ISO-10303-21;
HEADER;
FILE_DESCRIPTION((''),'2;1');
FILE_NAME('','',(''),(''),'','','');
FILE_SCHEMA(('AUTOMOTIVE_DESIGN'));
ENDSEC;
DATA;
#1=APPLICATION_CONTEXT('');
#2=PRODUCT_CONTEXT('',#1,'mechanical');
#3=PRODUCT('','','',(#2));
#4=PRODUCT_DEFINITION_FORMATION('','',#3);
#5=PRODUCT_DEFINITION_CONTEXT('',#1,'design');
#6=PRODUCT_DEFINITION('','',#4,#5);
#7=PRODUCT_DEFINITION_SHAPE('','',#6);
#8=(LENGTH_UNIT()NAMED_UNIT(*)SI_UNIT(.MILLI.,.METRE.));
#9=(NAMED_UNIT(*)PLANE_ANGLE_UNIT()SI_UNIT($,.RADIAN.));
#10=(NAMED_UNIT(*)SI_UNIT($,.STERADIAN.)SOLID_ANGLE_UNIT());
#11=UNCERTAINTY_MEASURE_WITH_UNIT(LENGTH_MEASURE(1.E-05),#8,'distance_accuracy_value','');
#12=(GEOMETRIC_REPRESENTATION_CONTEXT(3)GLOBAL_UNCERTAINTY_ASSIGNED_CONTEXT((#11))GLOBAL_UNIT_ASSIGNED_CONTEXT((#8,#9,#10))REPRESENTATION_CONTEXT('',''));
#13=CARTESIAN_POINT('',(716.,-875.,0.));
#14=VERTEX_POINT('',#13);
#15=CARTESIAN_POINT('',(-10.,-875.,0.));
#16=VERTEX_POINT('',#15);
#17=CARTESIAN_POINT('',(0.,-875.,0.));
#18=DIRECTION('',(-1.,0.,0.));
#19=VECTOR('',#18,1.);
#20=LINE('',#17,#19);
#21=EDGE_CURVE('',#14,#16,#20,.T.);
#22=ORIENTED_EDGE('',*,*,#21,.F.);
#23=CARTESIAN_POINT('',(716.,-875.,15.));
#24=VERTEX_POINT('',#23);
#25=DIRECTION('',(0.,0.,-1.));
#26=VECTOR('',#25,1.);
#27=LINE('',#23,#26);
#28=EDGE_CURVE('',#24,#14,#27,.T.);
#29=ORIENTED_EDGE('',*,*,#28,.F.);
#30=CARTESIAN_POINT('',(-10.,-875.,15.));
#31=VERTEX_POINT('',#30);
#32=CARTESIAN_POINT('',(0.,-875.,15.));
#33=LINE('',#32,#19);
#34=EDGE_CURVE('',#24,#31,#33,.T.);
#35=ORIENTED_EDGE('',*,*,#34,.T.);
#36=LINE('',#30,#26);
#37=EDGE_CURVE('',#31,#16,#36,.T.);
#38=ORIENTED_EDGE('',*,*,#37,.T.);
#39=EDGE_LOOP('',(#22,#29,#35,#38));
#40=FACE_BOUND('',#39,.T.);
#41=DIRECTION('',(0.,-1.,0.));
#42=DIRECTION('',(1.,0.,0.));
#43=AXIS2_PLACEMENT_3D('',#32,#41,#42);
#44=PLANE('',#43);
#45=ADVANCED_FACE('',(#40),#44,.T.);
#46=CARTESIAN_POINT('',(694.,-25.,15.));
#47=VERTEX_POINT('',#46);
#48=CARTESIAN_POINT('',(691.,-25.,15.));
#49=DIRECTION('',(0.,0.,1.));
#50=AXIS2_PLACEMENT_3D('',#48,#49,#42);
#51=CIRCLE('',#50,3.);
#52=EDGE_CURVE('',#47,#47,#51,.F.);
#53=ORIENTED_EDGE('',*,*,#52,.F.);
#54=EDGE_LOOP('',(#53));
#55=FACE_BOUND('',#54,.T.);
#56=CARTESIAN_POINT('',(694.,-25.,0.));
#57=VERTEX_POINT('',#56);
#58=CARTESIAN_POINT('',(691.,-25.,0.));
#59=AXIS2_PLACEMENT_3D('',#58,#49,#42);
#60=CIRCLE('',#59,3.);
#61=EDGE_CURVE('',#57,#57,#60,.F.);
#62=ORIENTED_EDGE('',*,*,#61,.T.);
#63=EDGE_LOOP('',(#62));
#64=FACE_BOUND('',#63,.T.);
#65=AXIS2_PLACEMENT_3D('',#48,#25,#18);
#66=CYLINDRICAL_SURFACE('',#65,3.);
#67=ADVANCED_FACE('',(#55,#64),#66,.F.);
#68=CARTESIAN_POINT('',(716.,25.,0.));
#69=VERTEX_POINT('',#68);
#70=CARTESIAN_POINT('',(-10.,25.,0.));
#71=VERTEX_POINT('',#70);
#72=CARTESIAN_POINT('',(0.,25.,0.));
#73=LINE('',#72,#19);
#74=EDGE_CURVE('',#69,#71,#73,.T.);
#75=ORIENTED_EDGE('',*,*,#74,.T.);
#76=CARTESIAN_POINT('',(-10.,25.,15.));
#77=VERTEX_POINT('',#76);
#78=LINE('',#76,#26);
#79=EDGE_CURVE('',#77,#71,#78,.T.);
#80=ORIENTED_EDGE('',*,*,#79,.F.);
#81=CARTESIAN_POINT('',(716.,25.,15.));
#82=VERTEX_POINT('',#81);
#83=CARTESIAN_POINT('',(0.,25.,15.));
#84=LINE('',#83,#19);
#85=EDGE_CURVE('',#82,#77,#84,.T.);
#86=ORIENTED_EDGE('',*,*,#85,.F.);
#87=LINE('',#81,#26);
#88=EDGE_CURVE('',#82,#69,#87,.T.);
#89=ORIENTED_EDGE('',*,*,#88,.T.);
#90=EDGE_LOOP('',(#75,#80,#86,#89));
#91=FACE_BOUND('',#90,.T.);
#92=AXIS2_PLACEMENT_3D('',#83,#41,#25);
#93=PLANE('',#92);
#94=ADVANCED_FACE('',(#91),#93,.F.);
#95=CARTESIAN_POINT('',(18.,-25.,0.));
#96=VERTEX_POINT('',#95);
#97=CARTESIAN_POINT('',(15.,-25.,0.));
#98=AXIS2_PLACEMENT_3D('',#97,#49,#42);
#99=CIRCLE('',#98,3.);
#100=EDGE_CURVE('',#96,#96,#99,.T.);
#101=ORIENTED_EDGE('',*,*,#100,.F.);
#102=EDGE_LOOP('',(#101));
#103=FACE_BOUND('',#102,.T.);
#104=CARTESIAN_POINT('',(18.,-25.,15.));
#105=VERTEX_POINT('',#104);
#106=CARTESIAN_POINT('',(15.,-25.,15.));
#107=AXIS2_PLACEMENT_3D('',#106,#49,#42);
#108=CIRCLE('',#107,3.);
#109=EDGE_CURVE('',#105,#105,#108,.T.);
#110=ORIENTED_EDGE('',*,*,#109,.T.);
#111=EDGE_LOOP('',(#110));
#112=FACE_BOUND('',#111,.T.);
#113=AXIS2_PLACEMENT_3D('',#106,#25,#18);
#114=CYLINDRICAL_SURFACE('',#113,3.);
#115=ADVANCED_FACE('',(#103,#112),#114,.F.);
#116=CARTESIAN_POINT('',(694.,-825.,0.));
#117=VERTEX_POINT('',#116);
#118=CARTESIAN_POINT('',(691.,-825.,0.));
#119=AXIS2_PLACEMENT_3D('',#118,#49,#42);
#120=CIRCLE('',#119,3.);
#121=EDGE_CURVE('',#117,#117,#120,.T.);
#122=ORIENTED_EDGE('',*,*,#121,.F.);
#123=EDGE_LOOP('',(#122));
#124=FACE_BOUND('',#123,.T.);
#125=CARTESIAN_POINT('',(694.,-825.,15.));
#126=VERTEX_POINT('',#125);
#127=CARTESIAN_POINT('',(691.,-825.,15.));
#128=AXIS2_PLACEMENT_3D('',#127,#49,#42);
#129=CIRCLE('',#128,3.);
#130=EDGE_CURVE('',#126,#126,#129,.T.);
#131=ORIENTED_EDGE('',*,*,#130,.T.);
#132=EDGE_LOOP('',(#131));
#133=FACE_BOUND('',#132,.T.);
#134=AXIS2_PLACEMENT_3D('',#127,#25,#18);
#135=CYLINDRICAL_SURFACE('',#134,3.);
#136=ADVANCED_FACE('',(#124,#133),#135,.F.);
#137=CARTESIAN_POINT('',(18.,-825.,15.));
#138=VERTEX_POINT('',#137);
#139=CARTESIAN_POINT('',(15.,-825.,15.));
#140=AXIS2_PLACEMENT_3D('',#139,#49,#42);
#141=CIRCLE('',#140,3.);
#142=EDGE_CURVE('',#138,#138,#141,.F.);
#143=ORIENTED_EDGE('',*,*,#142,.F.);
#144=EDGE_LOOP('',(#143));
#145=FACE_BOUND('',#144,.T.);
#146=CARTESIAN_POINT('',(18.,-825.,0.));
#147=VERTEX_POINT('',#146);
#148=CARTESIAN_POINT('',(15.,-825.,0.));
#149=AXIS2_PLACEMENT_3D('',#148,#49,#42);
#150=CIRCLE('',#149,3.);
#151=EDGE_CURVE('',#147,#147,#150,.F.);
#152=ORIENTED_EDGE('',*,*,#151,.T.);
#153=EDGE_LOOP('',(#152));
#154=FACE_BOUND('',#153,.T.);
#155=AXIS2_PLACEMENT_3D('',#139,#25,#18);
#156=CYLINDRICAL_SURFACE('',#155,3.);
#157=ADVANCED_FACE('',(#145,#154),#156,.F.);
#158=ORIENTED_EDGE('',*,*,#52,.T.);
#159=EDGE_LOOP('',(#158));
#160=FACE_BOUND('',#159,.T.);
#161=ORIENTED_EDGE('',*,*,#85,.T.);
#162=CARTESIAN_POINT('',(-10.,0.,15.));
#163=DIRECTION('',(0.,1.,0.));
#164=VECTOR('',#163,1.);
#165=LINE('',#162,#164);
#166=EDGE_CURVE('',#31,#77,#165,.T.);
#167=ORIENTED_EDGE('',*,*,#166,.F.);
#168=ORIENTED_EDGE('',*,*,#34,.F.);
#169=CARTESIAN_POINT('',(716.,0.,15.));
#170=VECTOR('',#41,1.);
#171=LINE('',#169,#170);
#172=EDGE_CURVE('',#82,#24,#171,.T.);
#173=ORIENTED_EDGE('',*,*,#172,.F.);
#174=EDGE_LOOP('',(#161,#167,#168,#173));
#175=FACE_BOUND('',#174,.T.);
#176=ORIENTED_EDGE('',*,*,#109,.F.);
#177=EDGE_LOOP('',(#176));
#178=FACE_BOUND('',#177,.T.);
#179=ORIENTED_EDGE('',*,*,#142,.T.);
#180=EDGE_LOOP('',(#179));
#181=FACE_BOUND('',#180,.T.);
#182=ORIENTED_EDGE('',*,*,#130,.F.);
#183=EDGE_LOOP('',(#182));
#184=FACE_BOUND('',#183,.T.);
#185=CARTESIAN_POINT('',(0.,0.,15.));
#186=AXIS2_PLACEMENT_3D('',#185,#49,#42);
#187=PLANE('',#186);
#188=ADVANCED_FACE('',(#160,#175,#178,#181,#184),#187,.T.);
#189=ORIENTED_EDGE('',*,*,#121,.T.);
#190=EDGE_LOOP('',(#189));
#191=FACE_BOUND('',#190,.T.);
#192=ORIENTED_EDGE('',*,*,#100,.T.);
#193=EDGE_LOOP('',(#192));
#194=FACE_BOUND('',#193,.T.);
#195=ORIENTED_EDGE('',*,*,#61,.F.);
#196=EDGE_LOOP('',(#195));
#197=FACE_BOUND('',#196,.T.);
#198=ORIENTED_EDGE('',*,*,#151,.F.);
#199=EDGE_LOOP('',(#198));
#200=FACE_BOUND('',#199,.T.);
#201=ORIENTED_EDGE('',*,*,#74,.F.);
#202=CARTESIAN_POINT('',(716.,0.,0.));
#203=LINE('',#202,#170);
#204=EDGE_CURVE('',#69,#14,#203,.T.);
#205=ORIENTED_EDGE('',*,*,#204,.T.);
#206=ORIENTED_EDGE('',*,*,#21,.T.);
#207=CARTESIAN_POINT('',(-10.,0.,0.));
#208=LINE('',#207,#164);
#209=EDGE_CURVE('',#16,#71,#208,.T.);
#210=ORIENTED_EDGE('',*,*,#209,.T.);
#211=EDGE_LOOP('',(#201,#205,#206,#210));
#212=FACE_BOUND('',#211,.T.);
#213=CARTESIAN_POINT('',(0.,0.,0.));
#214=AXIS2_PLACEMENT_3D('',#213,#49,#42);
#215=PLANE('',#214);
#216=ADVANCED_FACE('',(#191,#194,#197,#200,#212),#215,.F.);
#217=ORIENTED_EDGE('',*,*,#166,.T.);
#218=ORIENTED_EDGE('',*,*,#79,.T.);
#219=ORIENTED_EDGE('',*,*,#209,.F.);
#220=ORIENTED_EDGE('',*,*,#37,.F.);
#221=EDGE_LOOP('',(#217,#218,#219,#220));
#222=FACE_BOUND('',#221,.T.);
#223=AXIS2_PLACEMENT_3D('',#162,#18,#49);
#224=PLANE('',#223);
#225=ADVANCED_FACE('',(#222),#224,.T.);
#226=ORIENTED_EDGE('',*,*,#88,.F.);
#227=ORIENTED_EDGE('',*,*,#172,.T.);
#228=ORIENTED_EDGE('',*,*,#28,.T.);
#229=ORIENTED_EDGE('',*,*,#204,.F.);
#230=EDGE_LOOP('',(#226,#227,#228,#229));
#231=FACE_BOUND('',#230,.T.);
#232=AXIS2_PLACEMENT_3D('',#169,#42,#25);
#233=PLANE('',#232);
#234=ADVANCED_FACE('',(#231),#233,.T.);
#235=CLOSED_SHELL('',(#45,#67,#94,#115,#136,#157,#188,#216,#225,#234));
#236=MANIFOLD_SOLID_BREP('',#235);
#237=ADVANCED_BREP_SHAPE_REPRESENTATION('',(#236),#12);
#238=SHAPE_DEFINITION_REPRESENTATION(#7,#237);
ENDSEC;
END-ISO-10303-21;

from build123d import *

# Parameters (mm, degrees)
SKETCH_1_R      = 3
EXTRUDE_1_DEPTH = 15


with BuildPart() as part:
    # 草图1 → 凸台-拉伸1 (new body)
    with BuildSketch(Plane.XY):
        Polygon((-10, -835), (-10, -15), (-10, 25), (716, 25), (716, -15), (716, -835), (716, -875), (-10, -875), align=None)
        with Locations((15, -25)):
            Circle(SKETCH_1_R, mode=Mode.SUBTRACT)
        with Locations((691, -25)):
            Circle(SKETCH_1_R, mode=Mode.SUBTRACT)
        with Locations((691, -825)):
            Circle(SKETCH_1_R, mode=Mode.SUBTRACT)
        with Locations((15, -825)):
            Circle(SKETCH_1_R, mode=Mode.SUBTRACT)
    extrude(amount=EXTRUDE_1_DEPTH)


solid = part.part
